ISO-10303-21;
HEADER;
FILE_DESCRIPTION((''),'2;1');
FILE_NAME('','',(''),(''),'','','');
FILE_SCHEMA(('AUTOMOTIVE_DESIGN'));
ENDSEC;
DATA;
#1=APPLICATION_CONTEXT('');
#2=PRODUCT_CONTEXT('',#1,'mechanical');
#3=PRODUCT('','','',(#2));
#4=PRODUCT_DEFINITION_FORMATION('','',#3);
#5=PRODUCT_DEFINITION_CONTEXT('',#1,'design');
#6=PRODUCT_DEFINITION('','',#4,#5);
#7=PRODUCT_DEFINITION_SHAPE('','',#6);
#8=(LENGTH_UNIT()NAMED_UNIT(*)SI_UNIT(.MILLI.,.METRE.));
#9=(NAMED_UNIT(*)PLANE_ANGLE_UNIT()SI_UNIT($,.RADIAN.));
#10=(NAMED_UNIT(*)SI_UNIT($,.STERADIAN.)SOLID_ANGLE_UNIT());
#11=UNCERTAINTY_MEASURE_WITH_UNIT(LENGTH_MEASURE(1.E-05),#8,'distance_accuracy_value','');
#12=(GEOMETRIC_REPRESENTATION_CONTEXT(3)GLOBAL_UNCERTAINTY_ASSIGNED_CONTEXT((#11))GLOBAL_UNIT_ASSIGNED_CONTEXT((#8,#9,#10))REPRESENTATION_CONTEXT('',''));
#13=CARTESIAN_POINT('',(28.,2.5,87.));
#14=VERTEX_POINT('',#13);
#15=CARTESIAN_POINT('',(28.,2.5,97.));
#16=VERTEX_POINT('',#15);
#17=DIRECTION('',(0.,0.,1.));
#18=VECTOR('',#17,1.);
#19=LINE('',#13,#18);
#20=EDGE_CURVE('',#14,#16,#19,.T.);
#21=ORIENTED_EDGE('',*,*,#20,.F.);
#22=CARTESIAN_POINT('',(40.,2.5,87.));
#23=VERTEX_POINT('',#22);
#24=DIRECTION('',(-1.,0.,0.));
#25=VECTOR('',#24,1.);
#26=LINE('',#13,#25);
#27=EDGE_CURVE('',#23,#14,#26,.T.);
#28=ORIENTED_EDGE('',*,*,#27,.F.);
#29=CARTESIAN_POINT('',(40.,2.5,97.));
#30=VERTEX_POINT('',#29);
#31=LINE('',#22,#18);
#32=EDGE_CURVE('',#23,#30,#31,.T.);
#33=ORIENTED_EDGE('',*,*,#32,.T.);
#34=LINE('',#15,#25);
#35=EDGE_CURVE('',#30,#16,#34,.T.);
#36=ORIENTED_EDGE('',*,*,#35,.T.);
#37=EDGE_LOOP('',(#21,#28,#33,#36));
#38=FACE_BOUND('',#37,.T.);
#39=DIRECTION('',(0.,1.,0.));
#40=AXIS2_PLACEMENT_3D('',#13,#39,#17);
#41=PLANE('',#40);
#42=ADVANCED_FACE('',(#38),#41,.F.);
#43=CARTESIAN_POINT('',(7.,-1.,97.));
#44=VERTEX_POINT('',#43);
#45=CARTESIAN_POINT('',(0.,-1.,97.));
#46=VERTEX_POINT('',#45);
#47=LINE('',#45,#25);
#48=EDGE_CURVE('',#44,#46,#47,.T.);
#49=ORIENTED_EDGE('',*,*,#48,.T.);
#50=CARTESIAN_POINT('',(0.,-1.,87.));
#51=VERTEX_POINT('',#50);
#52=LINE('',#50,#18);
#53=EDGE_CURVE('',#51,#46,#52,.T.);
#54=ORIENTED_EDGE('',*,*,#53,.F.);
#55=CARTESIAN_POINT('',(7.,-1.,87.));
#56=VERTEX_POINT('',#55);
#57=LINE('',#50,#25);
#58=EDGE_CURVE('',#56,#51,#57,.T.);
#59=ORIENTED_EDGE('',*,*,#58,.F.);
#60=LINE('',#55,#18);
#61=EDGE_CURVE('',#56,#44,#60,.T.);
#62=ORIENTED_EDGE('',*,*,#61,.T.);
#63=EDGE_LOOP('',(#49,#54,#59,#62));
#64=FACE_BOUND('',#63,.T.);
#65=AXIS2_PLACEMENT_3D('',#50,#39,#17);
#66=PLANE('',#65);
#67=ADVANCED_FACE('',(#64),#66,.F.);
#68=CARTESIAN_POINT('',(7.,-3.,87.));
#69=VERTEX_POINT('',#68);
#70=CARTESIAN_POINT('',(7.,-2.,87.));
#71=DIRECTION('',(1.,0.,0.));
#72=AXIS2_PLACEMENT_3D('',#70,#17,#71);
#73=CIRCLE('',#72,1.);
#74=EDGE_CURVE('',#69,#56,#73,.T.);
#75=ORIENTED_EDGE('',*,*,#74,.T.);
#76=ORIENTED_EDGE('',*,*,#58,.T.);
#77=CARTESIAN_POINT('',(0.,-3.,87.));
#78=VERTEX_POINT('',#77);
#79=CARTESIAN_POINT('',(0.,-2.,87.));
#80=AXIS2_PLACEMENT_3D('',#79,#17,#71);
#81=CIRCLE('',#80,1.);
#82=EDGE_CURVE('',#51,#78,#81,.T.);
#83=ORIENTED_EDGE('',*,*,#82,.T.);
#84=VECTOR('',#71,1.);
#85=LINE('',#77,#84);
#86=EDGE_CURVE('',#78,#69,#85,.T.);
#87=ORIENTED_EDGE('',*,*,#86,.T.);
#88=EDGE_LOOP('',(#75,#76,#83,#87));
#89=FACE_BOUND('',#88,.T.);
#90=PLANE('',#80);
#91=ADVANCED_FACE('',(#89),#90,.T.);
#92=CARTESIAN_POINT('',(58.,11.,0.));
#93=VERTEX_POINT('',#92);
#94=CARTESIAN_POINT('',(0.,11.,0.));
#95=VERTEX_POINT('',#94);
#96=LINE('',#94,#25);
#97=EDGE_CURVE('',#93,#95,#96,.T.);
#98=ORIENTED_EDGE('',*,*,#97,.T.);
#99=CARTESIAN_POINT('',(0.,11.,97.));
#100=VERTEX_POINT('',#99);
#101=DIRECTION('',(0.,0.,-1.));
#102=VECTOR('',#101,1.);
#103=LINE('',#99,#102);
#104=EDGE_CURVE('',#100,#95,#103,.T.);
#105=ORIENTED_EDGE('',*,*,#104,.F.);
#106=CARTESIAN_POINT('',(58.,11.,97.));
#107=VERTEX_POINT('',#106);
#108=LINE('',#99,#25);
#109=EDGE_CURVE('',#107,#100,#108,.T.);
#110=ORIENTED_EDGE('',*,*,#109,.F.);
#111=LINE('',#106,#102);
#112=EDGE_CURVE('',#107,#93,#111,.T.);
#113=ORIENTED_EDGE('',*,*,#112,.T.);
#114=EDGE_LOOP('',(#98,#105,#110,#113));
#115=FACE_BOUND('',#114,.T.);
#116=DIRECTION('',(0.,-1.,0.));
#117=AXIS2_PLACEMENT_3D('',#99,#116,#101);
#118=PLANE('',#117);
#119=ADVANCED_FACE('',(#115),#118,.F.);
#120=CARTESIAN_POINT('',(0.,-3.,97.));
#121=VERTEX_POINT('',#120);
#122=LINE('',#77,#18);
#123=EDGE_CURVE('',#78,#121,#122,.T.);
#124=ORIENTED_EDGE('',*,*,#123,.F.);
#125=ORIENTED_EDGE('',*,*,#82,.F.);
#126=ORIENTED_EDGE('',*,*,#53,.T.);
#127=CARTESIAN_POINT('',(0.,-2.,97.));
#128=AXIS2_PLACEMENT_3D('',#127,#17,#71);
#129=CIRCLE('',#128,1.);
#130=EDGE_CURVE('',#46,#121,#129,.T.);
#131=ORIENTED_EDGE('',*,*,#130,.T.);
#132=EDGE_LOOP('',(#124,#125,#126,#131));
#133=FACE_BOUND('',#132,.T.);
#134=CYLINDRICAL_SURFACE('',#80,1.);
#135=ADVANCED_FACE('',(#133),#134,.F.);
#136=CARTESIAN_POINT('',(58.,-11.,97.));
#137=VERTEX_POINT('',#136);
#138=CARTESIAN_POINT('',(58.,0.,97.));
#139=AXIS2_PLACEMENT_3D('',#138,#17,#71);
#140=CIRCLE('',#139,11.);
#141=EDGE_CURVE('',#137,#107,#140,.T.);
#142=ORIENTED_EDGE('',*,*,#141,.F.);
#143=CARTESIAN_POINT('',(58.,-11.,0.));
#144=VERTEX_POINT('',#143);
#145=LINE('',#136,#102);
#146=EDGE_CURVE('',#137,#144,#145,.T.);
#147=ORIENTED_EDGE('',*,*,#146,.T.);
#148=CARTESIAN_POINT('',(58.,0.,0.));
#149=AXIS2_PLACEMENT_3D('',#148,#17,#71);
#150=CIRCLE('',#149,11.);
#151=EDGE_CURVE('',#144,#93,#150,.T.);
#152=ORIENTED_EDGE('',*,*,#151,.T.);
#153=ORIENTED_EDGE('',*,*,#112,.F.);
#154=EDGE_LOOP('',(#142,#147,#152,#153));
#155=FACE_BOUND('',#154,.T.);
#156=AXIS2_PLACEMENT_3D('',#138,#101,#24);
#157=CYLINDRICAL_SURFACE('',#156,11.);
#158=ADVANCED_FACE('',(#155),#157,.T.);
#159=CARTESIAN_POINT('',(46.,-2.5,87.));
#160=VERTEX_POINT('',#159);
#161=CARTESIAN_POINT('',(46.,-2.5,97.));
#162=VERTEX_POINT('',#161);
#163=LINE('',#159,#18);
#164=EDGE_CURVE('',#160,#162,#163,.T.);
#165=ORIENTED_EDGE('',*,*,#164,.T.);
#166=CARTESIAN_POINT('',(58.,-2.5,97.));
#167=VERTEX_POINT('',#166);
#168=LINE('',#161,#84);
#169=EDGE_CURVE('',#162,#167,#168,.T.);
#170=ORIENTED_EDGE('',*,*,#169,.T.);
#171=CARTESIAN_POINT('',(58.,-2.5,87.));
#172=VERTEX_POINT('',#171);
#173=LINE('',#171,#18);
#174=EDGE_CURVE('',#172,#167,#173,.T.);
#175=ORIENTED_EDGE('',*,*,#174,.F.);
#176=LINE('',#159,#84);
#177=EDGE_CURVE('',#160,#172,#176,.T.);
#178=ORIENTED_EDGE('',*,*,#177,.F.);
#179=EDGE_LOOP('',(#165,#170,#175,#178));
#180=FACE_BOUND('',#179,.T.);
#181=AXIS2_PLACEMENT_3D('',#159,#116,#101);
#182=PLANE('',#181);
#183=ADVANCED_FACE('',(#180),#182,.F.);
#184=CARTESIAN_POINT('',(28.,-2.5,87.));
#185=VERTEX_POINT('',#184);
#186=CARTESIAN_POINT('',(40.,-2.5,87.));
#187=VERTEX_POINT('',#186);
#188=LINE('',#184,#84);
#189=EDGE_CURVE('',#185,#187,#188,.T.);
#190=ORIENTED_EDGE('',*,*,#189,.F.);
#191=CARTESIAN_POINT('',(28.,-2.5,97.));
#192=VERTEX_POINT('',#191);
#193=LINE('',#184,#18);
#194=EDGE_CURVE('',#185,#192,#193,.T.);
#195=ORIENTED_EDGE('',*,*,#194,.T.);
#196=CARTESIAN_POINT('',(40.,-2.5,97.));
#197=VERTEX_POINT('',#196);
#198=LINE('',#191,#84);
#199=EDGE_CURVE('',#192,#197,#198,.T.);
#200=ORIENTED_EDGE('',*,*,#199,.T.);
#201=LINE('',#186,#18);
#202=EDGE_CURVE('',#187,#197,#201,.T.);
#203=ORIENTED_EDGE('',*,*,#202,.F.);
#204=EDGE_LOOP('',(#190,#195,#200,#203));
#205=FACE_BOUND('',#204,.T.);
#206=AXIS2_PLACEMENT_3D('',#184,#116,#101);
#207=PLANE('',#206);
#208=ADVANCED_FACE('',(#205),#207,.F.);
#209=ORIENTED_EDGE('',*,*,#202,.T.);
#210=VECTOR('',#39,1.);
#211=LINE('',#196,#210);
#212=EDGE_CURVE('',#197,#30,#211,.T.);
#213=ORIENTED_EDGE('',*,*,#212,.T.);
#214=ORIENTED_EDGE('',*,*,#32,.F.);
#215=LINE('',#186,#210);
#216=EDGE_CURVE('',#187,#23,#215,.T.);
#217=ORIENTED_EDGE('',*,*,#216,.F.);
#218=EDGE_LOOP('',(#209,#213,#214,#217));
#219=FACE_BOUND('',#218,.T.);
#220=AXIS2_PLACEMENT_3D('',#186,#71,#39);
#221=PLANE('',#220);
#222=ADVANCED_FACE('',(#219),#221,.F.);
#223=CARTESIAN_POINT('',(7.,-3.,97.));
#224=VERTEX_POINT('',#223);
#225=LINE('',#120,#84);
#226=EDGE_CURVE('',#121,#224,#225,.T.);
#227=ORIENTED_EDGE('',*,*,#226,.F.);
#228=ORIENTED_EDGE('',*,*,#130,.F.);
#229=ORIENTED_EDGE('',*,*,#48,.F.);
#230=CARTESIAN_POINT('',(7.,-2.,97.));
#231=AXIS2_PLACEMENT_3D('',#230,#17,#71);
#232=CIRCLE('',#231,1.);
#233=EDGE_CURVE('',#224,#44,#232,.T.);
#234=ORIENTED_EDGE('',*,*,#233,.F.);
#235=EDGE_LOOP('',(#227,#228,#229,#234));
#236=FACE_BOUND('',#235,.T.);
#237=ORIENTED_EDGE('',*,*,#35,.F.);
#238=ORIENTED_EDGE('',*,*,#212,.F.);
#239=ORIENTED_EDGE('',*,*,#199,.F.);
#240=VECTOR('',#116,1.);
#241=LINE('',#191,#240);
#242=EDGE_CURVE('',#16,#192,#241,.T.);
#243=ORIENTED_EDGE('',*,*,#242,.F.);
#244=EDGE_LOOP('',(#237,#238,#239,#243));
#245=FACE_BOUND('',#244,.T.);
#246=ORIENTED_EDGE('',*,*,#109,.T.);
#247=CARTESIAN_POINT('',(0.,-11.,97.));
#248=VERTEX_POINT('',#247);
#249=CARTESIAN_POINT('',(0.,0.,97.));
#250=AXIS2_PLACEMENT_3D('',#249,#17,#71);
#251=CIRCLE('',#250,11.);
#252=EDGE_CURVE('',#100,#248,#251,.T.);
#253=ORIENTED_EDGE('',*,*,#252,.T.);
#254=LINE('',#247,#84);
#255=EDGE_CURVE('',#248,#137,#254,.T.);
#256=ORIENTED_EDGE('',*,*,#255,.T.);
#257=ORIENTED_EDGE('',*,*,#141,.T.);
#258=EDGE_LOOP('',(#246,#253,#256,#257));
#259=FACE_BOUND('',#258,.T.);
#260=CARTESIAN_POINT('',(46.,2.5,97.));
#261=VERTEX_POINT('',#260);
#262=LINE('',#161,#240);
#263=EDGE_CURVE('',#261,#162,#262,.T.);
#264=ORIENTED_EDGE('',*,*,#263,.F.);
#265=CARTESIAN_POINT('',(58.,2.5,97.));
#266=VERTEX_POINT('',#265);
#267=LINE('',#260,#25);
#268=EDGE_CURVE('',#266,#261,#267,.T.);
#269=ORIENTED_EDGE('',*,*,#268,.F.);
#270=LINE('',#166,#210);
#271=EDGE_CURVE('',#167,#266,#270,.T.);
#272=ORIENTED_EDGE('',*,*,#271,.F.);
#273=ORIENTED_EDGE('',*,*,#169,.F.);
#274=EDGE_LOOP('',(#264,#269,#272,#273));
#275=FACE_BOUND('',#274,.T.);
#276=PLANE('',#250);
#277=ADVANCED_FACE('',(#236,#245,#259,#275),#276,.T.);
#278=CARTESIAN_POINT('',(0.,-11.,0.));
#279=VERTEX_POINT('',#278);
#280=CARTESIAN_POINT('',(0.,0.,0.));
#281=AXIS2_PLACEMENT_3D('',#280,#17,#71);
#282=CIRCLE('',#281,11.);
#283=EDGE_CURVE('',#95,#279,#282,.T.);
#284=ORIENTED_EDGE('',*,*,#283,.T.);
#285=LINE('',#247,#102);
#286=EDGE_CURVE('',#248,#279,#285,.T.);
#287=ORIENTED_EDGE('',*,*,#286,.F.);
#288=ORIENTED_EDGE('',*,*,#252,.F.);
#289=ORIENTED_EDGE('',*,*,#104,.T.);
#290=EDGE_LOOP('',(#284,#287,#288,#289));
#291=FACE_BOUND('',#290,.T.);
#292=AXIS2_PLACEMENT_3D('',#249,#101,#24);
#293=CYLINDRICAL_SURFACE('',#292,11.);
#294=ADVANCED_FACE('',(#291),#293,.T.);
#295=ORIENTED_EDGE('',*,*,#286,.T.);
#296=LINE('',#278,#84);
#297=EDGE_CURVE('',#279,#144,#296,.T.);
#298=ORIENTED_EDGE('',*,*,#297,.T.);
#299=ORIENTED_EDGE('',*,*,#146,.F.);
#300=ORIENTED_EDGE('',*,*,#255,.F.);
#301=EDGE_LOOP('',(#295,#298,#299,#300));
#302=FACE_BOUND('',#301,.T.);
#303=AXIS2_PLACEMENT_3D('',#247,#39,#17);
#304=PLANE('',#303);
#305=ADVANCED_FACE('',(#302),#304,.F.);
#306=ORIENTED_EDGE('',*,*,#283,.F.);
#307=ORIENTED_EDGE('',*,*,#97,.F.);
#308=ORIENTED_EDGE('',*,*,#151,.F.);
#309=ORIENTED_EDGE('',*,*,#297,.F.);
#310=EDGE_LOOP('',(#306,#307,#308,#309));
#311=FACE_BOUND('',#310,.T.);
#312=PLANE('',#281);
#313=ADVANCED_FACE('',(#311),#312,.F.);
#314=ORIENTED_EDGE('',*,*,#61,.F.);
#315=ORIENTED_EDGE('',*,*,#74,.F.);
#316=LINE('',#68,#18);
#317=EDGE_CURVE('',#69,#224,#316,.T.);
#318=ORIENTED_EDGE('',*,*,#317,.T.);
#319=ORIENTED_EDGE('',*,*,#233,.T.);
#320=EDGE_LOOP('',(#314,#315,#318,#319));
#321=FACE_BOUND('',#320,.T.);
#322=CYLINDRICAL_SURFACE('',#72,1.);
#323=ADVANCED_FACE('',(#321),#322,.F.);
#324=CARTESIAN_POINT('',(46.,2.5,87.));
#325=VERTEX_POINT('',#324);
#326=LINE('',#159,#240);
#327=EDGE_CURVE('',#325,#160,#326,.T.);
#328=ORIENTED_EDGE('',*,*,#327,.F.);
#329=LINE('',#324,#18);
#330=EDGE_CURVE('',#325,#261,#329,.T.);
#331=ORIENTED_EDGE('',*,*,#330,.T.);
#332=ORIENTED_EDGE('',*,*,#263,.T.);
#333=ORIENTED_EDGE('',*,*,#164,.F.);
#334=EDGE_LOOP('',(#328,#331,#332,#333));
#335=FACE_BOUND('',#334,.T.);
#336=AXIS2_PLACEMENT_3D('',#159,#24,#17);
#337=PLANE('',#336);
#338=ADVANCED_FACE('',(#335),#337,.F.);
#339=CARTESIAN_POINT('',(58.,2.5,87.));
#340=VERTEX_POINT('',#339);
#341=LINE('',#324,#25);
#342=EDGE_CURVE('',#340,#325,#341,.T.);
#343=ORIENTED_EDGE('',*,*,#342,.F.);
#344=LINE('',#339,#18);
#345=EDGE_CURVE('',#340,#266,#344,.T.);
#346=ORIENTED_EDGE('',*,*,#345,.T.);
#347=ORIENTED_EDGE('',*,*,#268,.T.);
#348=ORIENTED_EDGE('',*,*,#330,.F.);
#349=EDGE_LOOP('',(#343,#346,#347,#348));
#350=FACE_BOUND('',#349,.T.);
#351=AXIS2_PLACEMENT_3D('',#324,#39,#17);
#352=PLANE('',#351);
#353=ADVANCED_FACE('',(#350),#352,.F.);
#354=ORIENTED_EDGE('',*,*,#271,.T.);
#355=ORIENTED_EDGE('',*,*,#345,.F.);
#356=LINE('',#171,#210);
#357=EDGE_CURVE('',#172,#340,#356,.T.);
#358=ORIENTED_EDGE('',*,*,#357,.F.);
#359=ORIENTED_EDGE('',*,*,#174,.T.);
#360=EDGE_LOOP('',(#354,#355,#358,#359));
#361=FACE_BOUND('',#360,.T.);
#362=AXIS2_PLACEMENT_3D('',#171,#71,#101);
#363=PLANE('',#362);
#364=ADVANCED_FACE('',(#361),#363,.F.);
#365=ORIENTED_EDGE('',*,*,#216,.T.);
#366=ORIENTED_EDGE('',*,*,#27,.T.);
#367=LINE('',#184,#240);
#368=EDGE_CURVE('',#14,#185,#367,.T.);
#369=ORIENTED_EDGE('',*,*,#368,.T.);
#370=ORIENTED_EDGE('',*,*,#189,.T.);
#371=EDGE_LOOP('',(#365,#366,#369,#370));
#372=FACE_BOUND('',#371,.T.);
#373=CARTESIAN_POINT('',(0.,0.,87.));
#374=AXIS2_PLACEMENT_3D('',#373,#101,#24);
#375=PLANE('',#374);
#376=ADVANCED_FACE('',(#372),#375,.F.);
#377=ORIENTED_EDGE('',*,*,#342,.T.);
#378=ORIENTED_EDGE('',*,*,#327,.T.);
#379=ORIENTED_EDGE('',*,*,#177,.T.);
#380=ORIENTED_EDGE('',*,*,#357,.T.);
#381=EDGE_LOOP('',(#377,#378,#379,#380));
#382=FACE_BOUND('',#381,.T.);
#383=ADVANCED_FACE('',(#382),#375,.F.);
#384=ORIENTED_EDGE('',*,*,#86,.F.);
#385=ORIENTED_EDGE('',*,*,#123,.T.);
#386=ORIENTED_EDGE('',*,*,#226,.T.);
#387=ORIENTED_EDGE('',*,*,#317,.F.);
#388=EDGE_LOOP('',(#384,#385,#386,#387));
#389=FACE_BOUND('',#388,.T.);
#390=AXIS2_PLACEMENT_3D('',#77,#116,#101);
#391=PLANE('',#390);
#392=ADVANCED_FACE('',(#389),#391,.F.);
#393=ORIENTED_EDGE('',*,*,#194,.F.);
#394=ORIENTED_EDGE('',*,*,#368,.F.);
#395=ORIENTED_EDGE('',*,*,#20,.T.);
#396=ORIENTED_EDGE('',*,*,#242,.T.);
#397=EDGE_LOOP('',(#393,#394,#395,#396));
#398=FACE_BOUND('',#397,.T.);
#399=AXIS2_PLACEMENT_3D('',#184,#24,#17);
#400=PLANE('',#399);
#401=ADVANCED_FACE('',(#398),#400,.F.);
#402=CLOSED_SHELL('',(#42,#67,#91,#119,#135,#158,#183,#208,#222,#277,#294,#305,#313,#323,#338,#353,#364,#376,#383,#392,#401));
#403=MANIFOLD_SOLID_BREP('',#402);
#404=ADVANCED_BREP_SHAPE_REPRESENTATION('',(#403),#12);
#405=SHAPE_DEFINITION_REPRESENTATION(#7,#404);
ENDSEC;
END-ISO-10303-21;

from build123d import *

# Parameters (mm, degrees)
BOSS_EXTRU_1_DEPTH      = 97
ESQUISSE2_W             = 12
ESQUISSE2_H             = 5
ENL_V_MAT_EXTRU_1_DEPTH = 10


with BuildPart() as part:
    # Esquisse1 → Boss.-Extru.1 (new body)
    with BuildSketch(Plane.XY):
        with BuildLine():
            Line((0, 11), (58, 11))
            ThreePointArc((58, 11), (69, 0), (58, -11))
            Line((58, -11), (0, -11))
            ThreePointArc((0, -11), (-11, 0), (0, 11))
        make_face()
    extrude(amount=BOSS_EXTRU_1_DEPTH)

    # Esquisse2 → Enlèv. mat.-Extru.1 (cut)
    with BuildSketch(Plane.XY.offset(97)):
        with BuildLine():
            Line((0, -1), (7, -1))
            ThreePointArc((7, -1), (8, -2), (7, -3))
            Line((7, -3), (0, -3))
            ThreePointArc((0, -3), (-1, -2), (0, -1))
        make_face()
        with Locations((52, 0)):
            Rectangle(ESQUISSE2_W, ESQUISSE2_H)
        with Locations((34, 0)):
            Rectangle(ESQUISSE2_W, ESQUISSE2_H)
    extrude(amount=-ENL_V_MAT_EXTRU_1_DEPTH, mode=Mode.SUBTRACT)


solid = part.part
